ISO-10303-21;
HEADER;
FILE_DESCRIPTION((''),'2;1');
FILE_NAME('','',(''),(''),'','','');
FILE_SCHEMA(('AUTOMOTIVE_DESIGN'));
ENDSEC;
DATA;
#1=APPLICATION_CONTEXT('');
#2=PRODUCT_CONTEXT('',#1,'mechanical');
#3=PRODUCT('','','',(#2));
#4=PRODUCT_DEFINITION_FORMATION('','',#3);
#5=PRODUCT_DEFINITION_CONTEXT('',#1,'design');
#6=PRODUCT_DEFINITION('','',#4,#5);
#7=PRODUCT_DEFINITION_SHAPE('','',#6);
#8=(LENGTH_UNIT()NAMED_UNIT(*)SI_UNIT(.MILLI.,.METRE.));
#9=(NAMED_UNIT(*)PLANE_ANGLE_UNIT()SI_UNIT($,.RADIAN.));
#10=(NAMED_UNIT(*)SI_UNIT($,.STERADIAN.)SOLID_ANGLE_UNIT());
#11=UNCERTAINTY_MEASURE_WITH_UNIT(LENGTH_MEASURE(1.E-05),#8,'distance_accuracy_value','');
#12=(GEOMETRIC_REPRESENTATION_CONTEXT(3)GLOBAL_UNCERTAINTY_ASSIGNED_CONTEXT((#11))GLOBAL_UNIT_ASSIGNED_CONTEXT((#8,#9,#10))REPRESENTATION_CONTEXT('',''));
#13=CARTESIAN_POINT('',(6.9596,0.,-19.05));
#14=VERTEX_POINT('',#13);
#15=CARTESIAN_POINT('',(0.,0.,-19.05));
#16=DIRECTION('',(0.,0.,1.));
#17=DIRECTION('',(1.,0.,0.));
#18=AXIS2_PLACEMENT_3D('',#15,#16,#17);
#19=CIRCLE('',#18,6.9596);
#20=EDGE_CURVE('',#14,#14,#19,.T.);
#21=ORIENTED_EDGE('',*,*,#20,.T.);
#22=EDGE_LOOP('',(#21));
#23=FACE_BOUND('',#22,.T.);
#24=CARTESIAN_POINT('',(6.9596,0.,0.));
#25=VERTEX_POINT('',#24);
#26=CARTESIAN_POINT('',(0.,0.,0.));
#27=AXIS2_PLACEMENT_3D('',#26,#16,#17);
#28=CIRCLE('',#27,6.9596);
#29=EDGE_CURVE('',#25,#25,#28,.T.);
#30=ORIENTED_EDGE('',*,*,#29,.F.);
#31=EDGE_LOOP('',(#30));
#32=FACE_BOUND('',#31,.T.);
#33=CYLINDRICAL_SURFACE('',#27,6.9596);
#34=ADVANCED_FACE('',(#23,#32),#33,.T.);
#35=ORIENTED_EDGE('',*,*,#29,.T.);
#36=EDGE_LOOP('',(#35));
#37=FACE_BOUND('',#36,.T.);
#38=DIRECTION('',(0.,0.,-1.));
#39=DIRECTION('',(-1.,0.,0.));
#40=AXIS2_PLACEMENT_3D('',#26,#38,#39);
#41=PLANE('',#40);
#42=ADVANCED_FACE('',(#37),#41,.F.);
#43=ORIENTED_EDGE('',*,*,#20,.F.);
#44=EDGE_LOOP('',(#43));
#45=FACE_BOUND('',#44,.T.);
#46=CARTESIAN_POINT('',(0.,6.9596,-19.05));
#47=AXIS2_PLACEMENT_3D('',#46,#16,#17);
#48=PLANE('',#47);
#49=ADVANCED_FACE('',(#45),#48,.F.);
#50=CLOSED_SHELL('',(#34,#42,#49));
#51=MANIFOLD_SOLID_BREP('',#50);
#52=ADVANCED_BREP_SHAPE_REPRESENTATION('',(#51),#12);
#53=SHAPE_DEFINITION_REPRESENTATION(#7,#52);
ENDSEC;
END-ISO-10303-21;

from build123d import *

# Parameters (mm, degrees)
SKETCH2_W = 19.05
SKETCH2_H = 6.9596


with BuildPart() as part:
    # Sketch2 → Revolve1 (revolve)
    with BuildSketch(Plane(origin=(0, 0, 0), x_dir=(0, 0, -1), z_dir=(1, 0, 0)), mode=Mode.PRIVATE) as revolve1_sk:
        with Locations((9.525, 3.4798)):
            Rectangle(SKETCH2_W, SKETCH2_H)
    revolve(revolve1_sk.sketch.rotate(Axis((0, 0, 0), (0, 0, -1)), 90), axis=Axis((0, 0, 0), (0, 0, -1)))


solid = part.part
